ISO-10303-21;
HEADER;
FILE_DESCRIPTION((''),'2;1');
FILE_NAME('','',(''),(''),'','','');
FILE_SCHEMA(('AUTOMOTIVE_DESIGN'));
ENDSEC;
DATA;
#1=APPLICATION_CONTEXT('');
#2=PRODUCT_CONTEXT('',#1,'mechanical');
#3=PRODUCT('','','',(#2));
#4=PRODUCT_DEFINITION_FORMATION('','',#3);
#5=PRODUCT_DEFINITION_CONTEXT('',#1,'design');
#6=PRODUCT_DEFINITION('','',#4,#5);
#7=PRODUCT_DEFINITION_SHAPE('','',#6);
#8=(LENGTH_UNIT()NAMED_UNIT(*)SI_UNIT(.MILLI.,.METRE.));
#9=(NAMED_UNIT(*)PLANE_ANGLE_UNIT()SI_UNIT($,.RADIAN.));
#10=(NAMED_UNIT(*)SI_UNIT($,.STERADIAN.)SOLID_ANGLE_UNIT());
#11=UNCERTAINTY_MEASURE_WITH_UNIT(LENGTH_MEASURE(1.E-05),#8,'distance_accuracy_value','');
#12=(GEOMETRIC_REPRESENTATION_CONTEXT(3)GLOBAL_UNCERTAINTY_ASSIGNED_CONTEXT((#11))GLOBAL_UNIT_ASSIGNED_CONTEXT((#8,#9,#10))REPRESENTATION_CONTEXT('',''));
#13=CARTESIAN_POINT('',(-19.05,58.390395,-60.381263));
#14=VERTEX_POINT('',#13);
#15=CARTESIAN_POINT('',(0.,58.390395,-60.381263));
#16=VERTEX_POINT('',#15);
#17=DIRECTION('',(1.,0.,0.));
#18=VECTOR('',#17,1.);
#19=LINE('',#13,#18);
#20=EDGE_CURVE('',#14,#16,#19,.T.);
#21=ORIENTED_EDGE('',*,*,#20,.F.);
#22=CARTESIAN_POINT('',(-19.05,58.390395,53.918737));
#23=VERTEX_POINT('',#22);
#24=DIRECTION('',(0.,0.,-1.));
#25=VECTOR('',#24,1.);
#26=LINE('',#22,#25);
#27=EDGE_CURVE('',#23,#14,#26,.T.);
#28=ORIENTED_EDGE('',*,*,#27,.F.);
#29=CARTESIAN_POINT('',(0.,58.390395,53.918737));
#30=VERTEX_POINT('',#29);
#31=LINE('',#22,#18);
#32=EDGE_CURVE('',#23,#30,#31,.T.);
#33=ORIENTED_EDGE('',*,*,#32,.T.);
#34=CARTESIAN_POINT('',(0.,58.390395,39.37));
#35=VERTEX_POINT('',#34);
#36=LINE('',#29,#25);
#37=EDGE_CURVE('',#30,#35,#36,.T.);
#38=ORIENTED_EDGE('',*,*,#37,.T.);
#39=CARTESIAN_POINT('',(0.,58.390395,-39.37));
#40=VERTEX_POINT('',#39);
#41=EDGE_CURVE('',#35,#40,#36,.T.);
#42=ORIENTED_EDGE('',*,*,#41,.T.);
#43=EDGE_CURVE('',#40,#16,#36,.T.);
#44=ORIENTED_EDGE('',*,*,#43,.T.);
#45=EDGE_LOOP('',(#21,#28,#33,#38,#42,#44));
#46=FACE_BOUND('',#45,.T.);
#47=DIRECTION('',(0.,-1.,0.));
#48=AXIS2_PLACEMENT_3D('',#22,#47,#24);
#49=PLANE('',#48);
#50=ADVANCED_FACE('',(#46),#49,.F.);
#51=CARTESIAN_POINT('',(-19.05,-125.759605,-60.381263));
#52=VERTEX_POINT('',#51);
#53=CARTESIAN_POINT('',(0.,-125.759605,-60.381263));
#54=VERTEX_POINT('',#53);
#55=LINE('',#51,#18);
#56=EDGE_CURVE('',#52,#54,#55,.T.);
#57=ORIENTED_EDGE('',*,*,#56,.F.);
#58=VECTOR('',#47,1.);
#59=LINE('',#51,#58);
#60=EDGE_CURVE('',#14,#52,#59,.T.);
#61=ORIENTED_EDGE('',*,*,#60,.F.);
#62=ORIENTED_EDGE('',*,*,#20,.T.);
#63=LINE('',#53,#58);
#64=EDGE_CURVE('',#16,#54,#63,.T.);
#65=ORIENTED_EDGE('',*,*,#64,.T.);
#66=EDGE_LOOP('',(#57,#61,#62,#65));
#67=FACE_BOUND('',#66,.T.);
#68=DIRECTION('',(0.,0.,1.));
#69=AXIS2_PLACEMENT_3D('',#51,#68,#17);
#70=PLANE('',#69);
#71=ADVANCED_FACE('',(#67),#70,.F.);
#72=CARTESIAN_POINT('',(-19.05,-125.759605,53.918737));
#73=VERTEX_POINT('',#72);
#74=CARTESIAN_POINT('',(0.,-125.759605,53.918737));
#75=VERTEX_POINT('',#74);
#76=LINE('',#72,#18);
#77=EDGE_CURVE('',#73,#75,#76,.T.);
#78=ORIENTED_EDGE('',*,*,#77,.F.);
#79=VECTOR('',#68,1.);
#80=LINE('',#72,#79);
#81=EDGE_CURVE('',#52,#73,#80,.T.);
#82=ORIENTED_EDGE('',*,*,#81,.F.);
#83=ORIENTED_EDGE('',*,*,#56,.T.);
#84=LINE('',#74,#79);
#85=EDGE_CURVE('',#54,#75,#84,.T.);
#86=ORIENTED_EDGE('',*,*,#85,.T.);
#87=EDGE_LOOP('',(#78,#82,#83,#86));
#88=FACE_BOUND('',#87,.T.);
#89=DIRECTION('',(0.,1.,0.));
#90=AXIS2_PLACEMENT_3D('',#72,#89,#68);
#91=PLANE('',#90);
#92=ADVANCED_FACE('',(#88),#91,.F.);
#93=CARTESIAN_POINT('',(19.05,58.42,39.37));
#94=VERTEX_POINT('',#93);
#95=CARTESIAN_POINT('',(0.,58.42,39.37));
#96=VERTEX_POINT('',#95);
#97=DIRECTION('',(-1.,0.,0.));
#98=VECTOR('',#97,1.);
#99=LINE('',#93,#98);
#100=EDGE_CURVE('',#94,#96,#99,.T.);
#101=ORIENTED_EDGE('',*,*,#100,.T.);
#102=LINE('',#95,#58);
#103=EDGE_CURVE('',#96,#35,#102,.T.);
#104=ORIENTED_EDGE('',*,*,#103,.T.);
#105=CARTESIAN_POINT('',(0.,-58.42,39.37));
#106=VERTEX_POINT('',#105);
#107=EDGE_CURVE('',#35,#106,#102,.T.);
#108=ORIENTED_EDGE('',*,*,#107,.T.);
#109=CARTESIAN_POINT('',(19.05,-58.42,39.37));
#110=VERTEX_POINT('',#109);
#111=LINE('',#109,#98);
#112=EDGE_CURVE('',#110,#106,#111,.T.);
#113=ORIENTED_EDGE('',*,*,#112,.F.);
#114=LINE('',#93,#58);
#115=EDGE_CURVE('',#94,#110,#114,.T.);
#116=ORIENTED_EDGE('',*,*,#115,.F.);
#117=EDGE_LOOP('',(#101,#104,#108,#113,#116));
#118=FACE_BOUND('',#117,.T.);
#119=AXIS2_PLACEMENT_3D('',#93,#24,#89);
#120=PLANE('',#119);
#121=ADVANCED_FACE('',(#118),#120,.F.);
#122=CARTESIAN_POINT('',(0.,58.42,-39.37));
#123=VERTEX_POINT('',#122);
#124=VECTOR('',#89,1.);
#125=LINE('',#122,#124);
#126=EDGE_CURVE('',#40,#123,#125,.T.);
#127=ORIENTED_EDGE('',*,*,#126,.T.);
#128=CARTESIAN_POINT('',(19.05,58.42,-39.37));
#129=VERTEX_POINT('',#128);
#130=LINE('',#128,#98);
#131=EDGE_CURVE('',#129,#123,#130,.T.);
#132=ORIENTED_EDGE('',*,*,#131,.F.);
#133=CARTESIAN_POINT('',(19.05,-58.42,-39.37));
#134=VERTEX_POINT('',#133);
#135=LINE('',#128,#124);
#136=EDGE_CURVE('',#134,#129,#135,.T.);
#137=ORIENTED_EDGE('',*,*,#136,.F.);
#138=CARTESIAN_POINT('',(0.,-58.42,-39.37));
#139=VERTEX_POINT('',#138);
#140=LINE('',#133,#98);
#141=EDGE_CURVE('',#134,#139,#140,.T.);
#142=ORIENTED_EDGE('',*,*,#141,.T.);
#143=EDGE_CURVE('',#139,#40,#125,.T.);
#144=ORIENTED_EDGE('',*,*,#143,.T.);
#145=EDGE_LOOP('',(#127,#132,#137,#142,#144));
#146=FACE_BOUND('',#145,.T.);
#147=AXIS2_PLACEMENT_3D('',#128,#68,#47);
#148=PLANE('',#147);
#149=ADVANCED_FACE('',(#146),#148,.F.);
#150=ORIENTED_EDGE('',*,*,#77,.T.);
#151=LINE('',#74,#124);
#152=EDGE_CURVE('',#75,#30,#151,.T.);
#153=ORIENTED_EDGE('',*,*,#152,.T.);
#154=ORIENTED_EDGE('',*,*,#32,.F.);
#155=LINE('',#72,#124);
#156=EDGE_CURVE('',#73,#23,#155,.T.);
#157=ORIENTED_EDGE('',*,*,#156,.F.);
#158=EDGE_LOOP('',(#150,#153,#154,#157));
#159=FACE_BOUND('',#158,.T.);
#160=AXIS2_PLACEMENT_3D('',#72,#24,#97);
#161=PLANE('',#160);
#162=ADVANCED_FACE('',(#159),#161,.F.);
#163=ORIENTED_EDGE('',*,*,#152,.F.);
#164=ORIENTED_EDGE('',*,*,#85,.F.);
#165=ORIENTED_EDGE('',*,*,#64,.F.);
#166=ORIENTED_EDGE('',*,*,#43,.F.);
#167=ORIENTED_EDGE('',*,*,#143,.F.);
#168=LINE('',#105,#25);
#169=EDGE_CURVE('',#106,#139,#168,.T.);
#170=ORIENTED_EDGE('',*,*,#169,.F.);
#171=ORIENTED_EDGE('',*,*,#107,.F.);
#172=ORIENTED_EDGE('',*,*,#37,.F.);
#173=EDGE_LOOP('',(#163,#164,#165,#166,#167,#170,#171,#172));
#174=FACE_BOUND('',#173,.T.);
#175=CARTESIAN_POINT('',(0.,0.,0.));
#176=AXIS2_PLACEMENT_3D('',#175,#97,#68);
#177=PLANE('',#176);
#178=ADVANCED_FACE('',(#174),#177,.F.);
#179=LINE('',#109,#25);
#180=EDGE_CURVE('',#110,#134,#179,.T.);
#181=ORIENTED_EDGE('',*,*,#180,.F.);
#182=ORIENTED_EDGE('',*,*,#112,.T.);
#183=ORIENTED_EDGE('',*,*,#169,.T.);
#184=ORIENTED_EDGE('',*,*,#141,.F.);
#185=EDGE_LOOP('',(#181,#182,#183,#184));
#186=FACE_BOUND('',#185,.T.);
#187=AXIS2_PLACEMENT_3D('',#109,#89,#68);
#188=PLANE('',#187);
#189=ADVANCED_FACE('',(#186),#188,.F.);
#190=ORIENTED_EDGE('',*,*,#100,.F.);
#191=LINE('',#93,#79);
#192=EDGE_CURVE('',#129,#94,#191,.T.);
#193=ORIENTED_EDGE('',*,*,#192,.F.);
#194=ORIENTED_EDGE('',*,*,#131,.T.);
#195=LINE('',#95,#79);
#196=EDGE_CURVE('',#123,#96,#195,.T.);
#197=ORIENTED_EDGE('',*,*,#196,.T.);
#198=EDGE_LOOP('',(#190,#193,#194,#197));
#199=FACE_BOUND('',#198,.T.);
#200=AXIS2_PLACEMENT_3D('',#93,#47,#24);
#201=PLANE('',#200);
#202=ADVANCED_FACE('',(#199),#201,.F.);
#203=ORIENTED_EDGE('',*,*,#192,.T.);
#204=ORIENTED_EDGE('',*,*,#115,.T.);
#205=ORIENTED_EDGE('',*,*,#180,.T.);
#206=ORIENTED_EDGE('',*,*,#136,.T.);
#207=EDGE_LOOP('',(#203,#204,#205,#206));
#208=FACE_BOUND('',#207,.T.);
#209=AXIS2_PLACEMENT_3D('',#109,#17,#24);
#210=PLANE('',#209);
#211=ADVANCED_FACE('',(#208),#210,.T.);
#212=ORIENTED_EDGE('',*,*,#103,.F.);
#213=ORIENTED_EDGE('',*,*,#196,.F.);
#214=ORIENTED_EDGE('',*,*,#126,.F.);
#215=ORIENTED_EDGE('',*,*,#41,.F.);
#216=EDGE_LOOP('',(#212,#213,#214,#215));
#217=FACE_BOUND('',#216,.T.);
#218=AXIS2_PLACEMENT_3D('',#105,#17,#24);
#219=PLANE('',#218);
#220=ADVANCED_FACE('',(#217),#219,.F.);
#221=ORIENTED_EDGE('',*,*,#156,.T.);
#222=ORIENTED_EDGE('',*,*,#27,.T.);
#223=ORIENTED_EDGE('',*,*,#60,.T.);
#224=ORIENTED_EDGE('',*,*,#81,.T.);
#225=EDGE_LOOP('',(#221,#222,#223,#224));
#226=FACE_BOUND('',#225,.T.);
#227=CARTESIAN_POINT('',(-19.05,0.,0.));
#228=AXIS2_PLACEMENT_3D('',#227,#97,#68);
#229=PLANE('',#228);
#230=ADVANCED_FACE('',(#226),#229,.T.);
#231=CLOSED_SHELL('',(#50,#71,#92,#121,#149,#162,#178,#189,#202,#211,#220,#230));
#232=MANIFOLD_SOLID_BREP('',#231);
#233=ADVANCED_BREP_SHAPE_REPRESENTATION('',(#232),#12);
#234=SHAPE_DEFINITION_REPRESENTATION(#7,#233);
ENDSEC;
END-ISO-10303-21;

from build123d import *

# Parameters (mm, degrees)
SKETCH1_W           = 78.74
SKETCH1_H           = 116.84
EXTRUDE1_DEPTH      = 19.05
SKETCH4_W           = 114.3
SKETCH4_H           = 184.15
BOSS_EXTRUDE1_DEPTH = 19.05


with BuildPart() as part:
    # Sketch1 → Extrude1 (new body)
    with BuildSketch(Plane(origin=(0, 0, 0), x_dir=(0, 0, -1), z_dir=(1, 0, 0))):
        Rectangle(SKETCH1_W, SKETCH1_H)
    extrude(amount=EXTRUDE1_DEPTH)

    # Sketch4 → Boss-Extrude1 (add)
    with BuildSketch(Plane(origin=(0, -125.759604625, -60.381262795), x_dir=(0, 0, 1), z_dir=(-1, 0, 0))):
        with Locations((57.15, 92.075)):
            Rectangle(SKETCH4_W, SKETCH4_H)
    extrude(amount=BOSS_EXTRUDE1_DEPTH)


solid = part.part
